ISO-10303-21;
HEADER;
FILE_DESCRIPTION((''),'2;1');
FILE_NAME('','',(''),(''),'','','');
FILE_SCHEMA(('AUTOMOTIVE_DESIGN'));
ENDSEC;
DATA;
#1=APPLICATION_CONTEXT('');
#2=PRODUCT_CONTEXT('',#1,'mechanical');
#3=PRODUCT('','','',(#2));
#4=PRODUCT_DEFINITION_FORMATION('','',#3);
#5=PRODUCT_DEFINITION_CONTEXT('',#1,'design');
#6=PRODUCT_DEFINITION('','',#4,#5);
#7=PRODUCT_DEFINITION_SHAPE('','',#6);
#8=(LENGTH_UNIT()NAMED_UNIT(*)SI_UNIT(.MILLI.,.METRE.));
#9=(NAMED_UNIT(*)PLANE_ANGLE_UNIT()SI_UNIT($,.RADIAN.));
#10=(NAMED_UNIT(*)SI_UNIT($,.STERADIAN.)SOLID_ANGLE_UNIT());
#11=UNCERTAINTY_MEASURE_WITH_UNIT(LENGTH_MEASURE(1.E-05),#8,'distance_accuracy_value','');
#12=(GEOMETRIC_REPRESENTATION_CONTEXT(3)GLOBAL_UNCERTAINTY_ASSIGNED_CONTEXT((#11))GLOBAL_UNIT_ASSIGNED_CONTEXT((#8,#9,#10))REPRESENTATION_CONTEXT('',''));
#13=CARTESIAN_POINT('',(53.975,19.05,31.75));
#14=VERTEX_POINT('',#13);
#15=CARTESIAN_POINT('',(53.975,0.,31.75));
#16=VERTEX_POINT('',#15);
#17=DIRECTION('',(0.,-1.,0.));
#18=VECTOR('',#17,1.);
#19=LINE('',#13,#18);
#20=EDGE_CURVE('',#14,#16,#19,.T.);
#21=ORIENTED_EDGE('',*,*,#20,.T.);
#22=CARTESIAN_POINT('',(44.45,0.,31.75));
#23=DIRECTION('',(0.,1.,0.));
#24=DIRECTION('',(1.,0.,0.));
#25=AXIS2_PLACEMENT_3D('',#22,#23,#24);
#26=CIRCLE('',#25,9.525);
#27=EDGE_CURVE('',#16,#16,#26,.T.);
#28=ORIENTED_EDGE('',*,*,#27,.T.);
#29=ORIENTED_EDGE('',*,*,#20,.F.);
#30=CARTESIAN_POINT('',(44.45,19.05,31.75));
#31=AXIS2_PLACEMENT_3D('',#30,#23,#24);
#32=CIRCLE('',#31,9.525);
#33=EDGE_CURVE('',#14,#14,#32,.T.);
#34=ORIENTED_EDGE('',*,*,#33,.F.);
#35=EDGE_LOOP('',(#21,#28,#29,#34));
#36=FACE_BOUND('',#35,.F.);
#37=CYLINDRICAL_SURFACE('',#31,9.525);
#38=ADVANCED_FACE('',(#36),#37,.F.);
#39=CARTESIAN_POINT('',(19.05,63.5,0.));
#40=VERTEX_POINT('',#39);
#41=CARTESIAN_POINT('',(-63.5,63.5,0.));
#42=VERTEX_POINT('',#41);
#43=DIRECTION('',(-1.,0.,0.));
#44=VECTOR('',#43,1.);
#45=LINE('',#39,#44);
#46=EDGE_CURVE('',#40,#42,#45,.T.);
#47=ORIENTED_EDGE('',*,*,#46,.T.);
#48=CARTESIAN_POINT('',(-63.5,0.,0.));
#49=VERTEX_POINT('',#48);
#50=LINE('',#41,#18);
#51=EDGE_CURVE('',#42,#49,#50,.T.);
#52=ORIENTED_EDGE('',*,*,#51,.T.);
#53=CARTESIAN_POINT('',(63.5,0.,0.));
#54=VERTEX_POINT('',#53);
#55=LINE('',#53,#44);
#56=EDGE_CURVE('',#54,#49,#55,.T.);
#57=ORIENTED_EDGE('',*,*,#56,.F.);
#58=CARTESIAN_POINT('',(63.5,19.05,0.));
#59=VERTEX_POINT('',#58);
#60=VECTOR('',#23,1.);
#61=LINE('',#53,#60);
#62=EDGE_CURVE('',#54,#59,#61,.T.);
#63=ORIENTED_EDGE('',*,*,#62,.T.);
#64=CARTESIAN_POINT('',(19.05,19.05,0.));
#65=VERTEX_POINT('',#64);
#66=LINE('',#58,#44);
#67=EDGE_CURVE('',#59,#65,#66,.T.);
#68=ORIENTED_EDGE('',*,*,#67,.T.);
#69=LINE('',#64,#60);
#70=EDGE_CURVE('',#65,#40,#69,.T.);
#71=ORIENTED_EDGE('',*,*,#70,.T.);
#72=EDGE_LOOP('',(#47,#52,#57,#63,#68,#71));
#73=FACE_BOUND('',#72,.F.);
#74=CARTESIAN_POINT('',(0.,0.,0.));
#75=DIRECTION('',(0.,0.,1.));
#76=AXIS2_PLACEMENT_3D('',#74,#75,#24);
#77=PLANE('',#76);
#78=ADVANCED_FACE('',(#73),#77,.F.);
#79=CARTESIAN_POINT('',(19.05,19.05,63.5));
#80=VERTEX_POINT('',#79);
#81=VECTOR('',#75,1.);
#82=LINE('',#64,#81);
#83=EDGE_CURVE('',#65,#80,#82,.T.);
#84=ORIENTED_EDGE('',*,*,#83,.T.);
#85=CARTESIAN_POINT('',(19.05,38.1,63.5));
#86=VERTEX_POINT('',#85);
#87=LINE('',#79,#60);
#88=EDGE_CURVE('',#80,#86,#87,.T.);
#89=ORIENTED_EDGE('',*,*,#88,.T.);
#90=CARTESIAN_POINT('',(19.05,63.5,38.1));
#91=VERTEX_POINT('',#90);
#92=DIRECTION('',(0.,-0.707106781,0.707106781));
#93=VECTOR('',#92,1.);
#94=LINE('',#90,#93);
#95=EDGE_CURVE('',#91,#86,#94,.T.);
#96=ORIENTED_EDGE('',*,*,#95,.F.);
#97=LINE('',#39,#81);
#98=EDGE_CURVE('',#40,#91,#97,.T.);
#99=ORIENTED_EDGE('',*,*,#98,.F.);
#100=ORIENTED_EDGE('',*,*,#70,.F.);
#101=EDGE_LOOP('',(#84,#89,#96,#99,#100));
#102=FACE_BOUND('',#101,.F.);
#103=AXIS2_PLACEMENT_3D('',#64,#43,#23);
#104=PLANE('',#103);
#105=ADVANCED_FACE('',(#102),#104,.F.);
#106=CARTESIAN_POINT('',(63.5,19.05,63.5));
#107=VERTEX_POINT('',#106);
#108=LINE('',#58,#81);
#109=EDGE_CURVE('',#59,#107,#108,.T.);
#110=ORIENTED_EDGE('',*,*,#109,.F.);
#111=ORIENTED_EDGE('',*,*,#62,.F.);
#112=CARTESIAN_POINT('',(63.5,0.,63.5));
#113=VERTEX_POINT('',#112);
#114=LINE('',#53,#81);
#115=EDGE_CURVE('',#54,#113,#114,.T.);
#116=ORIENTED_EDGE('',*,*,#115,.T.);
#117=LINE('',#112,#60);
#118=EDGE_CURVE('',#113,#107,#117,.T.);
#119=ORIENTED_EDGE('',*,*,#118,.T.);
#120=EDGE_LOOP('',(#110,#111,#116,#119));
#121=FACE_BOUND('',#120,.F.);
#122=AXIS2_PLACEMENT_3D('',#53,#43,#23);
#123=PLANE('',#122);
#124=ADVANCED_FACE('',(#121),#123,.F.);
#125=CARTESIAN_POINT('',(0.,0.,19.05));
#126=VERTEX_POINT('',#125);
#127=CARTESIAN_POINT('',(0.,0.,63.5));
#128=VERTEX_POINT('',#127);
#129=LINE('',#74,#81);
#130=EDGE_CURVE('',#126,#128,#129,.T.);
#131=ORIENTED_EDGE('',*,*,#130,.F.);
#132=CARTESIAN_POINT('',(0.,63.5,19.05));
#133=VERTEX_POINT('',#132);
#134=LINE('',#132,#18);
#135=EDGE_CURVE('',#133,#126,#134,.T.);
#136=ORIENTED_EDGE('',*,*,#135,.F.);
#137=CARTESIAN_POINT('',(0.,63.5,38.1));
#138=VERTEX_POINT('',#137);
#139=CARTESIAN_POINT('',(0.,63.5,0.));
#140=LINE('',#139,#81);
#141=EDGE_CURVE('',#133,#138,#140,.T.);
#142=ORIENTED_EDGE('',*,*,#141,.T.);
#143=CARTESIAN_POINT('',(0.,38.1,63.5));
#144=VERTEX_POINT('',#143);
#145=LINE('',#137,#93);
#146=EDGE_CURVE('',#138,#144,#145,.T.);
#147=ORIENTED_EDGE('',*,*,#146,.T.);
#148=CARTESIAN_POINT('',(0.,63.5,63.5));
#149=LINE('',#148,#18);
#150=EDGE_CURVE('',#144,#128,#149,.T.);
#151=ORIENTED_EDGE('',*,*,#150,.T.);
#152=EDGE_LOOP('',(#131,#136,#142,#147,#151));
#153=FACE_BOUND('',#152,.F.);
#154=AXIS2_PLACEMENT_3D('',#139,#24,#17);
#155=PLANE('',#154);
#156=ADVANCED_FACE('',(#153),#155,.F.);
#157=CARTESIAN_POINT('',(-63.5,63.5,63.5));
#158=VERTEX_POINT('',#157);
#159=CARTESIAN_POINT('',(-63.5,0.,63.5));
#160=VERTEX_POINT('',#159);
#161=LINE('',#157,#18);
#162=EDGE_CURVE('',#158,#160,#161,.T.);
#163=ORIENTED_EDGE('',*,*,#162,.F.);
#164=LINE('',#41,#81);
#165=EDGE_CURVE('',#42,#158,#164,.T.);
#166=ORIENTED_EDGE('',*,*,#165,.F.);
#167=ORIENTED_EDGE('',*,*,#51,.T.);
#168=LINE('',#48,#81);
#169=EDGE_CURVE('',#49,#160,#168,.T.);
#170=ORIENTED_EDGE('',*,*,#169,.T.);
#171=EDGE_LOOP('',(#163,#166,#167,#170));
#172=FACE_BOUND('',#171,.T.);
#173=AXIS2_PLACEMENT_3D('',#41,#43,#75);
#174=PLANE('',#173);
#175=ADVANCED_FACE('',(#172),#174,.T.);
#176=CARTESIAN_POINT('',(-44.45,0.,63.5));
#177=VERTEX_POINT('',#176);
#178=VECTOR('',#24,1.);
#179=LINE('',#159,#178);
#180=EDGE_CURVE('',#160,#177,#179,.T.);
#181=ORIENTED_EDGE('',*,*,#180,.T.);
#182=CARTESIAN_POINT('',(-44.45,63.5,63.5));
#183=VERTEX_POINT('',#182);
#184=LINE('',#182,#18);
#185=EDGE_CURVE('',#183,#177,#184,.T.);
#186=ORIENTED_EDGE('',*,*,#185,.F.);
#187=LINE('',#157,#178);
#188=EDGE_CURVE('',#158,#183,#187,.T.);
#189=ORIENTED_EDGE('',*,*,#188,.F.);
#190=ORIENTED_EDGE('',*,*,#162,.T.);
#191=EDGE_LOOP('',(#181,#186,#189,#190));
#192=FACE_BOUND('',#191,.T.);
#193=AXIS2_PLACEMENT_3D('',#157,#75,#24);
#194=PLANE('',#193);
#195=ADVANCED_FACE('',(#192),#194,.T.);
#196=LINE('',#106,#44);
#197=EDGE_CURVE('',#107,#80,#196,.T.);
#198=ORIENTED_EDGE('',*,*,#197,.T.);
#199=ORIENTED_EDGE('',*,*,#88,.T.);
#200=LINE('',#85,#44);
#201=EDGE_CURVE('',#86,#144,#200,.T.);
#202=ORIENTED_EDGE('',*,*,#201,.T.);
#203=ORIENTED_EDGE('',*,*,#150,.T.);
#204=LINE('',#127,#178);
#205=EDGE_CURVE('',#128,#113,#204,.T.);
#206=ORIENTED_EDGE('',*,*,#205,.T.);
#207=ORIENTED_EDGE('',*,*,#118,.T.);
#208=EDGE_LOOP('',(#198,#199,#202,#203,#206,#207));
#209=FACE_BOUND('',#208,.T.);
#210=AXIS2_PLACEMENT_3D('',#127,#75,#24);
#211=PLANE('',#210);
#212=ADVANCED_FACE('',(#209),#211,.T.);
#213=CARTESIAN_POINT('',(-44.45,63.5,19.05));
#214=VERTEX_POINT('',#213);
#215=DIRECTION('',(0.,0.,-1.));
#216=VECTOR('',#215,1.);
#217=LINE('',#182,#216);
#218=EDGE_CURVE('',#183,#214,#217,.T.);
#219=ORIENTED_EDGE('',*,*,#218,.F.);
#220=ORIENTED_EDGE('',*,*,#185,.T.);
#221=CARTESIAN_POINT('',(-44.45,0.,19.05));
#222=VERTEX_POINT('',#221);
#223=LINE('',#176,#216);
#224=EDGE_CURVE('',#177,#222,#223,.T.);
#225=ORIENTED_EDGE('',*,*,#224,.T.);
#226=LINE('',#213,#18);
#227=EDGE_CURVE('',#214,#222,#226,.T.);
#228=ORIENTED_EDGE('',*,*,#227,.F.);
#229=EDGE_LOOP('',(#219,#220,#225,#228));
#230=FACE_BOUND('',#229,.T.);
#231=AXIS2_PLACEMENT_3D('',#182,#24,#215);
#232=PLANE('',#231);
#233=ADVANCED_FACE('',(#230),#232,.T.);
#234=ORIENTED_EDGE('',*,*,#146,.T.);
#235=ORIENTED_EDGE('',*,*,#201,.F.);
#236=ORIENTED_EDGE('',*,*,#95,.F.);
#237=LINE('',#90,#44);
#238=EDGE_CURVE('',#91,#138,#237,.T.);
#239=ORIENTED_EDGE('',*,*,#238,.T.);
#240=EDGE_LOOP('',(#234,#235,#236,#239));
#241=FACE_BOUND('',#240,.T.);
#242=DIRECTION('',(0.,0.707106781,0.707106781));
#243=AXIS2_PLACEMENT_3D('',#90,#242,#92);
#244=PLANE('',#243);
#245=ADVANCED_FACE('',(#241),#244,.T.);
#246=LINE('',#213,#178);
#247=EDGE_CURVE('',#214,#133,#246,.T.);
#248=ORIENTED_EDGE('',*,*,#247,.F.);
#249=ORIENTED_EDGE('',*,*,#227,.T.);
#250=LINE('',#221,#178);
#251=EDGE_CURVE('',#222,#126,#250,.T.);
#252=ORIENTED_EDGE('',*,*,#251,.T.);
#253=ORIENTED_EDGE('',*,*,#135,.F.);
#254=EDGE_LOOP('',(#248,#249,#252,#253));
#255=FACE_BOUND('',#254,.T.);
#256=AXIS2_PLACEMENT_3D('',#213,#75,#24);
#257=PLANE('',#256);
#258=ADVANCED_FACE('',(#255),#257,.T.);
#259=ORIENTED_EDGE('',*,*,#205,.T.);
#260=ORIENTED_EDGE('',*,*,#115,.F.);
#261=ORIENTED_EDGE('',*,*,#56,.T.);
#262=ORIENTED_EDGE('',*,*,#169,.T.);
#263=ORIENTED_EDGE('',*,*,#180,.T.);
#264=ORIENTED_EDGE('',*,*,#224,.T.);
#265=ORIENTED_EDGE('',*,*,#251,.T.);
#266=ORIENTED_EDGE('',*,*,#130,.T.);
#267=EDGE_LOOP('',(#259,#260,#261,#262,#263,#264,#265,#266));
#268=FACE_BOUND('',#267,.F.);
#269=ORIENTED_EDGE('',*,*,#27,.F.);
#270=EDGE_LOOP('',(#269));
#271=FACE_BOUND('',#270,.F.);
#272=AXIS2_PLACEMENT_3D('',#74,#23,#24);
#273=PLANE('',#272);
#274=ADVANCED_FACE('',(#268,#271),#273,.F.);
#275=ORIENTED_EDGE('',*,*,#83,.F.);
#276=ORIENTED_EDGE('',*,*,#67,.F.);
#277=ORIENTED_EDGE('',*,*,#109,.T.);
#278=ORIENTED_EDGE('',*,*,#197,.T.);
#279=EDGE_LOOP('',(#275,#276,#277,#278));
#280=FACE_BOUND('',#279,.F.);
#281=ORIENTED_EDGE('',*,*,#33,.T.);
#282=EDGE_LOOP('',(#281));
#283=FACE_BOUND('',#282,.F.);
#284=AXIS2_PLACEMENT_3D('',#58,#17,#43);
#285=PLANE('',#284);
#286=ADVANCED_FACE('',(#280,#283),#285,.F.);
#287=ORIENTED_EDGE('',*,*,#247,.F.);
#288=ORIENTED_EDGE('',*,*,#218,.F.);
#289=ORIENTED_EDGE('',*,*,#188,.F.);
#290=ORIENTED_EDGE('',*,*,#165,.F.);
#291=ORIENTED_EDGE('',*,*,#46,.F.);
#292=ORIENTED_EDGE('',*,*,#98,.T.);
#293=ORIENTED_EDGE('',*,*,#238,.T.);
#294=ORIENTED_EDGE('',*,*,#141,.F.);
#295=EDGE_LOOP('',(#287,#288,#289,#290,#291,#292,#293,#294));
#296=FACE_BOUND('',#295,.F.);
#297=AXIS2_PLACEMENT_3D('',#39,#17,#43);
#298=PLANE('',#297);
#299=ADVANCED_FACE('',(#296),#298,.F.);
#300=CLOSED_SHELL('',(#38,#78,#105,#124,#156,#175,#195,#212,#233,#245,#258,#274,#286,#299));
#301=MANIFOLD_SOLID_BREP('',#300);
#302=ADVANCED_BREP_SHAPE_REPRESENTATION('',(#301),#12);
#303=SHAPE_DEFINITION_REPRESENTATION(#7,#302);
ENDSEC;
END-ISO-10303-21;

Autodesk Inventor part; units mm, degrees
ref_plane "YZ Plane" through (0, 0, 0) normal (1, 0, 0) x (0, 1, 0)
ref_plane "XZ Plane" through (0, 0, 0) normal (0, 1, 0) x (-1, 0, 0)
ref_plane "XY Plane" through (0, 0, 0) normal (0, 0, 1) x (1, 0, 0)
sketch "baseSketch" plane through (0, 0, 0) normal (0, 0, 1) x (1, 0, 0)
  line L0 (0, 63.5) -> (0, 0)
  line L1 (0, 0) -> (63.5, 0)
  line L2 (63.5, 0) -> (63.5, 19.05)
  line L3 (63.5, 19.05) -> (19.05, 19.05)
  line L4 (19.05, 19.05) -> (19.05, 63.5)
  line L5 (19.05, 63.5) -> (0, 63.5)
  dimension "d0" = 63.5
  dimension "d1" = 63.5
  dimension "d2" = 19.05
  dimension "d3" = 19.05
extrude "baseExtrude" add sketch "baseSketch" along normal blind 63.5
sketch "Sketch2" plane through (0, 63.5, 0) normal (0, 1, 0) x (1, 0, 0)
  line L0 (0, 0) -> (-63.5, 0)
  line L1 (-63.5, 0) -> (-63.5, -63.5)
  line L2 (-63.5, -63.5) -> (-44.45, -63.5)
  line L3 (-44.45, -63.5) -> (-44.45, -19.05)
  line L4 (-44.45, -19.05) -> (0, -19.05)
  line L5 (0, -19.05) -> (0, 0)
  point P0 (0, 0)
  dimension "d6" = 63.5
  dimension "d7" = 63.5
  dimension "d8" = 19.05
  dimension "d9" = 19.05
extrude "Extrusion2" add sketch "Sketch2" against normal blind 63.5
sketch "Sketch3" plane through (19.05, 19.05, 0) normal (0, 1, 0) x (1, 0, 0)
  circle A0 centre (25.4, -31.75) radius 9.525
  line L0 (44.45, 0) -> (44.45, -63.5) projected
  line L1 (44.45, 0) -> (0, 0) projected
  point P0 (-19.05, 0)
  dimension "d12" = 19.05
  dimension "d13" = 19.05
  dimension "d14" = 31.75
extrude "Extrusion3" cut sketch "Sketch3" against normal through all
sketch "Sketch4" plane through (19.05, 19.05, 0) normal (1, 0, 0) x (0, 0, -1)
  line L0 (-63.5, 44.45) -> (-19.05, 44.45) projected
  line L1 (-38.1, 44.45) -> (-63.5, 19.05)
  line L2 (-63.5, 44.45) -> (-63.5, -19.05) projected
  line L3 (-63.5, 19.05) -> (-63.5, 44.45)
  line L4 (-63.5, 44.45) -> (-38.1, 44.45)
  point P0 (0, -19.05)
  dimension "d17" = 25.4
  dimension "d18" = 45
extrude "Extrusion4" cut sketch "Sketch4" against normal up to surface (19.05 mm away)
properties part number "ch2-adjuster"
